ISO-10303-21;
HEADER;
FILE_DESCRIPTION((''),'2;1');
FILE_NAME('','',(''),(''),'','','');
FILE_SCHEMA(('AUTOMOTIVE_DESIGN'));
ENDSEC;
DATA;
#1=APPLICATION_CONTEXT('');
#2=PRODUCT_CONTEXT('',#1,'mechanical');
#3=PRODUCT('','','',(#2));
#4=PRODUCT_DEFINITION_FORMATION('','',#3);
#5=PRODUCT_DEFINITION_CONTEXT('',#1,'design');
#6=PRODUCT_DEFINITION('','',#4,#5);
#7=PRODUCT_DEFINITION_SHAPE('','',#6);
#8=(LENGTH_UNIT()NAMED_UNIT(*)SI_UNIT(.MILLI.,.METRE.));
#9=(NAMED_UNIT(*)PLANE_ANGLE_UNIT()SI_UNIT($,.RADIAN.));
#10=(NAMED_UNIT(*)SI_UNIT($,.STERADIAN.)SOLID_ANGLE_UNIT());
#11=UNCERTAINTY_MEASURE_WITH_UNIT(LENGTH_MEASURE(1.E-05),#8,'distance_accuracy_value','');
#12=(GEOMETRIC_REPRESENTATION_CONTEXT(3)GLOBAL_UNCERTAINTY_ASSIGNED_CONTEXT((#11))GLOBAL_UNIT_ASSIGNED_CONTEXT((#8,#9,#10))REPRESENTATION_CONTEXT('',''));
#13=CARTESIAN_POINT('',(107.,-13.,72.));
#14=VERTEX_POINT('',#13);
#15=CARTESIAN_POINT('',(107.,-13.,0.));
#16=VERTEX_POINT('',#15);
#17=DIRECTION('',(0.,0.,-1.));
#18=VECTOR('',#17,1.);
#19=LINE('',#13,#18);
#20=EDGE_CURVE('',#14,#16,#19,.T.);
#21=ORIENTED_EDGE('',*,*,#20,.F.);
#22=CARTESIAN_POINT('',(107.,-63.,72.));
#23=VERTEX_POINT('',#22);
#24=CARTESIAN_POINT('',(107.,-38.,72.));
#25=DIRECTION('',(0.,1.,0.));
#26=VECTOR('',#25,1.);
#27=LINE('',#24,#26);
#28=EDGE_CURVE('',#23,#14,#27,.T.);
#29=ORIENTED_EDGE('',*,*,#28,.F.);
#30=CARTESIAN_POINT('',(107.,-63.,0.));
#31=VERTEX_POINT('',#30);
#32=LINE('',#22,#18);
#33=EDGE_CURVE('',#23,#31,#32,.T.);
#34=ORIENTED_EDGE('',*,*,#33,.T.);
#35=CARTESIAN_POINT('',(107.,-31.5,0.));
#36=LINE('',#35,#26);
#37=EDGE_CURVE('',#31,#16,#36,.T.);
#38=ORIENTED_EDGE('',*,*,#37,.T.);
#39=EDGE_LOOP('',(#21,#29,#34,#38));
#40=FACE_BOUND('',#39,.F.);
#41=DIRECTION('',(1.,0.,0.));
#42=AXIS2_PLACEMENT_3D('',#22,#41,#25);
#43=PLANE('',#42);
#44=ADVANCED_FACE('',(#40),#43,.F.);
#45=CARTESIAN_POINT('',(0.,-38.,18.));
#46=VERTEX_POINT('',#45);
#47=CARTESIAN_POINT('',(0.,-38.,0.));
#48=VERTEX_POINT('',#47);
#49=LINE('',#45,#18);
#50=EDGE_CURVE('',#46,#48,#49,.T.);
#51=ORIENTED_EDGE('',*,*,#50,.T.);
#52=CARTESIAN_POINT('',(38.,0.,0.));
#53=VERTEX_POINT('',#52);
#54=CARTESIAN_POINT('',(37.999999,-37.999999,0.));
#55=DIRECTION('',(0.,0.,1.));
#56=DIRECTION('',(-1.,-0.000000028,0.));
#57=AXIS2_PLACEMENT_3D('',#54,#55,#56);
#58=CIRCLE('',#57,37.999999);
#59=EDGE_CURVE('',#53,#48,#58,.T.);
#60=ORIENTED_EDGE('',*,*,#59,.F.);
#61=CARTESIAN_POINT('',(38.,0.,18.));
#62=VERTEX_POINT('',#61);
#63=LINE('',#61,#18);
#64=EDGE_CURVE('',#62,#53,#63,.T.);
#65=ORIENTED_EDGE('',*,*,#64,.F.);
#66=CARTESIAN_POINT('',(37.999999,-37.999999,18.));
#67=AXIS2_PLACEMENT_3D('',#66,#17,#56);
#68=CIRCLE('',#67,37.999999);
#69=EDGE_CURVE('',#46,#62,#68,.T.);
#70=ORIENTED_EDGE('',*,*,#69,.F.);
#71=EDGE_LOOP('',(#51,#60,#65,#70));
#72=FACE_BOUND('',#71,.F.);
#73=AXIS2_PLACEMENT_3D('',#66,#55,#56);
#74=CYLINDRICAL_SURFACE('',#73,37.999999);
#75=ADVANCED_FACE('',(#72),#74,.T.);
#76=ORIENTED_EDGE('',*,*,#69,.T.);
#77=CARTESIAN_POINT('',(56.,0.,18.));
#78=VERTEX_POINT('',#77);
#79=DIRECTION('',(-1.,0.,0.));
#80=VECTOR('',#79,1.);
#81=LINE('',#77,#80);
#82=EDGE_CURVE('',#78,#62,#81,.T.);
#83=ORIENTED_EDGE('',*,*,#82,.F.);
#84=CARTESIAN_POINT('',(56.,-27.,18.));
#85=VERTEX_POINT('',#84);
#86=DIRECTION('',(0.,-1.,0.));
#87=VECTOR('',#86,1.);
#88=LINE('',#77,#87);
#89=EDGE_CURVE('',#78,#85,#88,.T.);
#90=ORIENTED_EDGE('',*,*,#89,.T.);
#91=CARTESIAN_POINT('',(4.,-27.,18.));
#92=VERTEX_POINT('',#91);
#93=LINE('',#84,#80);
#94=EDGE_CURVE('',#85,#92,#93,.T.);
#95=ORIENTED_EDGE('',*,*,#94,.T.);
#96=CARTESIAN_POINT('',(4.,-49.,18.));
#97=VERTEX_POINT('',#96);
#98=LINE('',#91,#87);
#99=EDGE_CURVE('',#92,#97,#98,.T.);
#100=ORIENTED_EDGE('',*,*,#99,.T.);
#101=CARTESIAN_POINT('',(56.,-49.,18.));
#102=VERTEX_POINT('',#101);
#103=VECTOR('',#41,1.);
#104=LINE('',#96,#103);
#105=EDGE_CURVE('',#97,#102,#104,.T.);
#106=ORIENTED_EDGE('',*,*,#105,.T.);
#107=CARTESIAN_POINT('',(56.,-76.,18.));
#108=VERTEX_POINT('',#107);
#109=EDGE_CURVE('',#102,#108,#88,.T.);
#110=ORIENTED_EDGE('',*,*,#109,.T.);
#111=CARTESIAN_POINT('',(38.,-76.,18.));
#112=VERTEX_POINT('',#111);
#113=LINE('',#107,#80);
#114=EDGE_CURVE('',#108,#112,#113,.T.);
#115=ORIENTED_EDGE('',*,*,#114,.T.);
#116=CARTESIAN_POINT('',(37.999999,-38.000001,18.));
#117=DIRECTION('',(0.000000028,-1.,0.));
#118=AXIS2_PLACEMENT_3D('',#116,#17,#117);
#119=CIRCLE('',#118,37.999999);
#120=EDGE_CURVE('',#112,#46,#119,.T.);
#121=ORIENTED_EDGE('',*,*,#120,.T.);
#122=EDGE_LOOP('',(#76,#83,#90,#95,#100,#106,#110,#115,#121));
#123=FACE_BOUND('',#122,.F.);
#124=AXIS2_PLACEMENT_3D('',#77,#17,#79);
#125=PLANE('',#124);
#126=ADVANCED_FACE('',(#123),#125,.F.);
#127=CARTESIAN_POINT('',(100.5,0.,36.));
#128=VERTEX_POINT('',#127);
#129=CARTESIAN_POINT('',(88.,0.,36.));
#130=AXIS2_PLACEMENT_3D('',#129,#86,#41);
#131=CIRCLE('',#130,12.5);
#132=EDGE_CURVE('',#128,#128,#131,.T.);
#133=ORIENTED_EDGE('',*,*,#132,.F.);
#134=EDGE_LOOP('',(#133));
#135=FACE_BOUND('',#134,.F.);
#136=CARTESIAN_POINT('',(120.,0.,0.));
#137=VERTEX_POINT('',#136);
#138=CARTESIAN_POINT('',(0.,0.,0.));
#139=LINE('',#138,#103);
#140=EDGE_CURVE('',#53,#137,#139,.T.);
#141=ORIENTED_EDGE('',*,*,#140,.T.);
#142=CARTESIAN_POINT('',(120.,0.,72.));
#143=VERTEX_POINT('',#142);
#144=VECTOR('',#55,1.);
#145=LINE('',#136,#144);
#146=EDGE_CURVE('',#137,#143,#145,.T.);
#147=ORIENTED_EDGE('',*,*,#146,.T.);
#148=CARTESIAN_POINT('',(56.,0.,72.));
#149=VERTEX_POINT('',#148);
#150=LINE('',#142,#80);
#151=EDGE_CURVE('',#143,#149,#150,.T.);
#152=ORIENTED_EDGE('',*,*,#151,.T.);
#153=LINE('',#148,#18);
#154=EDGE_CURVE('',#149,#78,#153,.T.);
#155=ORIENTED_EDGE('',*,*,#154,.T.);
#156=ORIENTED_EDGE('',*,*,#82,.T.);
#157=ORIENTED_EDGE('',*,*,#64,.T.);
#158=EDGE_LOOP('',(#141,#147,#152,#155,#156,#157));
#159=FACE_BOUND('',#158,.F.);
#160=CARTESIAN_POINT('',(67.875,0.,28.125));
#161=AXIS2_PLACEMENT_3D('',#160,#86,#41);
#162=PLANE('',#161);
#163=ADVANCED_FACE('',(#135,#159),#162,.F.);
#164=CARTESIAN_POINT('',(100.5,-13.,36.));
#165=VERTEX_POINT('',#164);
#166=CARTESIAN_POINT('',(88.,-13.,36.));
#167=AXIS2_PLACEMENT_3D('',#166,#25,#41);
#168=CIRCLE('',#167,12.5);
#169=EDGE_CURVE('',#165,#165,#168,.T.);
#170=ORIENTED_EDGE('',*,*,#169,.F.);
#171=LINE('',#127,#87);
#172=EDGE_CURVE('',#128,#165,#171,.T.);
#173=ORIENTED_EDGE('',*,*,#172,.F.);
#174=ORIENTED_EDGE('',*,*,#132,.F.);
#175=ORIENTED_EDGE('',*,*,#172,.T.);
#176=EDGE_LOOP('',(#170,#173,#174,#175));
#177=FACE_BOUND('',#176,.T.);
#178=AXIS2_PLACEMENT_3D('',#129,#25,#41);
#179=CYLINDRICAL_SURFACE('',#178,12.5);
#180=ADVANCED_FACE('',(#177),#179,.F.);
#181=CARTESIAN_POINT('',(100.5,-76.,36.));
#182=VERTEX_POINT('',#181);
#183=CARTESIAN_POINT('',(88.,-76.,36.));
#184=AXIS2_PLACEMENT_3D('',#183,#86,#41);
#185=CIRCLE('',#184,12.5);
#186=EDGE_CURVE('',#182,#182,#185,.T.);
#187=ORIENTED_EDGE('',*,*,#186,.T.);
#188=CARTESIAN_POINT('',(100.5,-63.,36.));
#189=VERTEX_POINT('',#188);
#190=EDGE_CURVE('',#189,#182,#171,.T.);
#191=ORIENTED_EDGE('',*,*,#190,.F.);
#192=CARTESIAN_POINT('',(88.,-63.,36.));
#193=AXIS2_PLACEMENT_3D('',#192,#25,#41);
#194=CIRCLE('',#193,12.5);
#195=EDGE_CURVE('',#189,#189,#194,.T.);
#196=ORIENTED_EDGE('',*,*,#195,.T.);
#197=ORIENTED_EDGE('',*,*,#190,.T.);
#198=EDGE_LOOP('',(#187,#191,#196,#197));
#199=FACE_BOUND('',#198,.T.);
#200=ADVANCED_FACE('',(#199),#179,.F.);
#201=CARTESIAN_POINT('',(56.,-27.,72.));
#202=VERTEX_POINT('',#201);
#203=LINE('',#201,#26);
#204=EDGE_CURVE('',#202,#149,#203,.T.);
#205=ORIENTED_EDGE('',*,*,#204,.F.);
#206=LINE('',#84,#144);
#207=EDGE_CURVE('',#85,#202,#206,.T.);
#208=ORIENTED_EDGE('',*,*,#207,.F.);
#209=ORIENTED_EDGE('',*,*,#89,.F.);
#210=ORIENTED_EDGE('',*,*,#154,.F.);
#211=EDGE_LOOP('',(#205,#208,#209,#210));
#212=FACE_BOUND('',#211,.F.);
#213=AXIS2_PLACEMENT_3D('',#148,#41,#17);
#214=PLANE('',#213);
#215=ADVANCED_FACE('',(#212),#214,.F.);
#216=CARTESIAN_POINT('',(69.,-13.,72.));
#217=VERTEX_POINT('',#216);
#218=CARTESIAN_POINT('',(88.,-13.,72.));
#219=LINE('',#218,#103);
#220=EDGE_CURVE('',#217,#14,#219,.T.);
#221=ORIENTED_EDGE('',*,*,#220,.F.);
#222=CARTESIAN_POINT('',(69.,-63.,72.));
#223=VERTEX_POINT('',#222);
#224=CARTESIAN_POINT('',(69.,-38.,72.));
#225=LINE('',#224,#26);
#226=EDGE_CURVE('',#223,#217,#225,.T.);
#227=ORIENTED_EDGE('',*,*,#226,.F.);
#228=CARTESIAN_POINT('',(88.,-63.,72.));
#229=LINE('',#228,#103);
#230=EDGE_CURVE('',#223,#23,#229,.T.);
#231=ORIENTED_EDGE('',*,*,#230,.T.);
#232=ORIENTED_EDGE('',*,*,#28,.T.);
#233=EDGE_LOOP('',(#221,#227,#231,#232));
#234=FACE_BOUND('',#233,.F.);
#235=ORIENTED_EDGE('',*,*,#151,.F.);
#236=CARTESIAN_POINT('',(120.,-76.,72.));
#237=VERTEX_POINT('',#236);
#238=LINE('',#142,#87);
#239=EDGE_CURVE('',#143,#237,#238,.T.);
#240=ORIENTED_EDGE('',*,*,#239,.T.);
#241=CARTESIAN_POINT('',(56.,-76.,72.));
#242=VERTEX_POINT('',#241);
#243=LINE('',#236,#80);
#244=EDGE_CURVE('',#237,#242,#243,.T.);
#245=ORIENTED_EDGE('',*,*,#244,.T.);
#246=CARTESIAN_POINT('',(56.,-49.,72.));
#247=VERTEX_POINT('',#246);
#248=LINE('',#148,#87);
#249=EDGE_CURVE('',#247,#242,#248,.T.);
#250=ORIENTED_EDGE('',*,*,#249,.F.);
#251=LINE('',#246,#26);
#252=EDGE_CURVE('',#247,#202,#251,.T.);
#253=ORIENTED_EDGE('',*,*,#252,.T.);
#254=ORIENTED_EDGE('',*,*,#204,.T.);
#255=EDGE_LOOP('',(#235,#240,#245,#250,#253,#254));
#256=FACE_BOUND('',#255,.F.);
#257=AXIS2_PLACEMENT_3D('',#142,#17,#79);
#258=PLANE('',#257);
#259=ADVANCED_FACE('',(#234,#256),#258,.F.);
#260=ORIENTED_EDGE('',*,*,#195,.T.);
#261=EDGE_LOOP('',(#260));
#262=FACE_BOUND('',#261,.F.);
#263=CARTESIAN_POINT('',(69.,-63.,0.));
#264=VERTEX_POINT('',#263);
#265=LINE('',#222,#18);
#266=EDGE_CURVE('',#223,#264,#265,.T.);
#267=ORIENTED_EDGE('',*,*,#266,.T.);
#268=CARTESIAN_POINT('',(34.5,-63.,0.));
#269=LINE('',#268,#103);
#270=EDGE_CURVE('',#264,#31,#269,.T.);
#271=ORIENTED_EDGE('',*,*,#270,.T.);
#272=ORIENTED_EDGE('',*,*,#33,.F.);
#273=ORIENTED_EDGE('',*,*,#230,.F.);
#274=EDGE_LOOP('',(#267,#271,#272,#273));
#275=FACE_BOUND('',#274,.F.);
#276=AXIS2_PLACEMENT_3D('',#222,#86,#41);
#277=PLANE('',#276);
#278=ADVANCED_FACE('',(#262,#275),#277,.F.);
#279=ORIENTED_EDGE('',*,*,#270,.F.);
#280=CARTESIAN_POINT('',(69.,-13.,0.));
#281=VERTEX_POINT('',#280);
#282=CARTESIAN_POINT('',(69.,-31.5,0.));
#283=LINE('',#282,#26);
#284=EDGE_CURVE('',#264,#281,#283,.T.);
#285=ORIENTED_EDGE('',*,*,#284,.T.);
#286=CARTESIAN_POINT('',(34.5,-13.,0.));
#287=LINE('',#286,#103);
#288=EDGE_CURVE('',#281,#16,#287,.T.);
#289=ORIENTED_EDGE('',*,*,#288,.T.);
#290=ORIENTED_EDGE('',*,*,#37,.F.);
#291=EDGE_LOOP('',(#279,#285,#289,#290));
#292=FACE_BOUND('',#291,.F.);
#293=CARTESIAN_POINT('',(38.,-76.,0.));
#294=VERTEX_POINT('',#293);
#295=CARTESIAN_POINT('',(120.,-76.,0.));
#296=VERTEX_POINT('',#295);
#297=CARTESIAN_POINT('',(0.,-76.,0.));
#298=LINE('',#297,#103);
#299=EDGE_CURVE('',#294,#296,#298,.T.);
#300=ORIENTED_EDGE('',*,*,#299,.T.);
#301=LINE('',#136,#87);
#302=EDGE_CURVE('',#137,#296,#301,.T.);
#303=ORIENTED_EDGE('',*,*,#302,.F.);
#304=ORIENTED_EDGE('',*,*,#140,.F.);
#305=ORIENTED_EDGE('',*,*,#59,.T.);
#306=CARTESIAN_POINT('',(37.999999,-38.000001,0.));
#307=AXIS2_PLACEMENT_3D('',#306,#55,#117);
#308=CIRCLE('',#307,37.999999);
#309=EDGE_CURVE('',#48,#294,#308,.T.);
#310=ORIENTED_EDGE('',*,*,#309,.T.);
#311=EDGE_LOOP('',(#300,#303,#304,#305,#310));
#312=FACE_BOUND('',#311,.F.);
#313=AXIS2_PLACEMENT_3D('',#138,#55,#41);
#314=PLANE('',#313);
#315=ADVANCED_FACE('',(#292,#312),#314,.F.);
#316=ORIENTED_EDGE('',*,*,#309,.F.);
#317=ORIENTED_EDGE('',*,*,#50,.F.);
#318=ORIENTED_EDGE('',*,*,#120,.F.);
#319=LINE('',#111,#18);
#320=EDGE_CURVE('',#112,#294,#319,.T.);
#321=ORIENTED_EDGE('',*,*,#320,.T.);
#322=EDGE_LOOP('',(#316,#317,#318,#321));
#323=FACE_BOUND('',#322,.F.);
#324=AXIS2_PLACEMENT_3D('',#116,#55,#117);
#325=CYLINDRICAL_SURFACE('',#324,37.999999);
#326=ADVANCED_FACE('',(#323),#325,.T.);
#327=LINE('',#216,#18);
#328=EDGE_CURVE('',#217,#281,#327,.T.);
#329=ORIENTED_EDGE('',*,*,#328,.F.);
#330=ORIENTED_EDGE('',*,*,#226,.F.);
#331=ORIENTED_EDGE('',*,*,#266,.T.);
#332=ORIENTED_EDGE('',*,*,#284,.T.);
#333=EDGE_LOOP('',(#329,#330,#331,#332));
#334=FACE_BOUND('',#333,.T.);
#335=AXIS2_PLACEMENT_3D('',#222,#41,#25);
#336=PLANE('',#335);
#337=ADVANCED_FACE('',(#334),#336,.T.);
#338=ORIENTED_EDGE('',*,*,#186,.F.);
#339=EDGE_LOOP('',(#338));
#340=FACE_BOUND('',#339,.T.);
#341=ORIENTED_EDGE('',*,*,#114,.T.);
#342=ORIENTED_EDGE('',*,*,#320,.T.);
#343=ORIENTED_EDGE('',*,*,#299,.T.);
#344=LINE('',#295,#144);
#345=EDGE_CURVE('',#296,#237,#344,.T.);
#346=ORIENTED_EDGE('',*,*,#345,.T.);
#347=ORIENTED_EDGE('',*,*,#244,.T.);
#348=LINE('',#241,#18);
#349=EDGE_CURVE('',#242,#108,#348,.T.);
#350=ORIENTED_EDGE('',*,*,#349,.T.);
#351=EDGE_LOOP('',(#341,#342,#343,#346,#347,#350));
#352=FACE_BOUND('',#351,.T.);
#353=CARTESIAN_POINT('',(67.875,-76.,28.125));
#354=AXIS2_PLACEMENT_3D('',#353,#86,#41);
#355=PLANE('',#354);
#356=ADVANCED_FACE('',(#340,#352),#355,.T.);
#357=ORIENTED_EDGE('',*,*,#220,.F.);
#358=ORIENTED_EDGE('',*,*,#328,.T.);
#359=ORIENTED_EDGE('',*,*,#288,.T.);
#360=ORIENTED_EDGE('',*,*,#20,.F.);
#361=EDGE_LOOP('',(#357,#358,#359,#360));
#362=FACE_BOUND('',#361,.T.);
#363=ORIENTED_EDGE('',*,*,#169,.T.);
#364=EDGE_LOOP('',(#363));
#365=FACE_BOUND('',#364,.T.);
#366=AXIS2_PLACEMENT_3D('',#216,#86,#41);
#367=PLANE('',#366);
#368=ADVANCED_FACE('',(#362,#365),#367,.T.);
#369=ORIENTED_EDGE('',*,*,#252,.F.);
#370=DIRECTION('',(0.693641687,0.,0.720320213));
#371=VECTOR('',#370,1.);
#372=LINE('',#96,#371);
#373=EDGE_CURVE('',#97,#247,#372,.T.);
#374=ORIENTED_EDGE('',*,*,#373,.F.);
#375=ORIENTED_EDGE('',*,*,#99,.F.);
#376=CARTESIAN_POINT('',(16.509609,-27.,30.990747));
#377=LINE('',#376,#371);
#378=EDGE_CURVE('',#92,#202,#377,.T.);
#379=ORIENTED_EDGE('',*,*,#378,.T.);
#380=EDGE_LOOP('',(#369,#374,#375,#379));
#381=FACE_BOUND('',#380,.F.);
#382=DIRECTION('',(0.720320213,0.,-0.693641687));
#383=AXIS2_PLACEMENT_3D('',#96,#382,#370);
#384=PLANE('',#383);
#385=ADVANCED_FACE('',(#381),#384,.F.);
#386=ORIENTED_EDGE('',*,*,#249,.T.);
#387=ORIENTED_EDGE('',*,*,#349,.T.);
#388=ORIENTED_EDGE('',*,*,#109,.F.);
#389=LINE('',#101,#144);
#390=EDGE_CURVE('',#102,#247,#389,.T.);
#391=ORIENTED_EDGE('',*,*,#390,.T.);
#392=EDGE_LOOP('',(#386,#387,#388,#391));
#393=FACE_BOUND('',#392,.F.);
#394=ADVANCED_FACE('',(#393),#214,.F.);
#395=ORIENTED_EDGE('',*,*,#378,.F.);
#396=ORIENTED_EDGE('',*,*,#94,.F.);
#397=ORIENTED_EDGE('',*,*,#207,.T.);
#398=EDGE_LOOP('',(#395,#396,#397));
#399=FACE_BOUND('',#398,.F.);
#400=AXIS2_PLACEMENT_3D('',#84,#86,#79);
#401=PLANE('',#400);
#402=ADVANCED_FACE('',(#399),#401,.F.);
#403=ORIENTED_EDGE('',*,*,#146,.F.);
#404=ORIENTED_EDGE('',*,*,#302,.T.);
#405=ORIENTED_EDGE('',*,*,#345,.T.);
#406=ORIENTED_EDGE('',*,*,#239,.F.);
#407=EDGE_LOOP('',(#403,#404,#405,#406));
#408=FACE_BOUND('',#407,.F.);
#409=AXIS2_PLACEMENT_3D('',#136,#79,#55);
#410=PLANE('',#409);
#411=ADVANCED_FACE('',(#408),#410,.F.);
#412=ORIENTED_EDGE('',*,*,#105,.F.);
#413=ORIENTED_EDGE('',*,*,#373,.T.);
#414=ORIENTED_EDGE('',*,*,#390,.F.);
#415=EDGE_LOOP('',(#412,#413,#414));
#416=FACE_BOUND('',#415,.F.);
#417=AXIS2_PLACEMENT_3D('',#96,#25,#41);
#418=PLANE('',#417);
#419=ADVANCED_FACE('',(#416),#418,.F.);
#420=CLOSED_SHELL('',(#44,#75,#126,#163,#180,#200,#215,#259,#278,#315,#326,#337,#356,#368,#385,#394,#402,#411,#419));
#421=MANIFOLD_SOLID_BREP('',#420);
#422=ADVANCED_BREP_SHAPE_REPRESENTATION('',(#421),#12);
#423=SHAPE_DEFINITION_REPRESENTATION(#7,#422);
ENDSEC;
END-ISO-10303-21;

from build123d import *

# Parameters (mm, degrees)
F0_R     = 12.5
F1_DEPTH = 76
F2_W     = 38
F2_H     = 50
F3_DEPTH = 116.9
F5_DEPTH = 123.5
F7_DEPTH = 54
F9_DEPTH = 25


with BuildPart() as f1:
    # F0 (on Front) → F1 (new body)
    with BuildSketch(Plane.XZ):
        Polygon((0, 18), (0, 0), (120, 0), (120, 72), (56, 72), (56, 18), align=None)
        with Locations((88, 36)):
            Circle(F0_R, mode=Mode.SUBTRACT)
    extrude(amount=F1_DEPTH)

    # F2 (on face) → F3 (cut)
    with BuildSketch(Plane.XY.offset(72)):
        with Locations((88, -38)):
            Rectangle(F2_W, F2_H)
    extrude(amount=-F3_DEPTH, mode=Mode.SUBTRACT)

    # F4 (on face) → F5 (cut)
    with BuildSketch(Plane.XY.offset(18)):
        with BuildLine():
            ThreePointArc((38, -76), (11.129942, -64.870058), (0, -38))
            Line((0, -38), (0, -76))
            Line((0, -76), (38, -76))
        make_face()
        with BuildLine():
            ThreePointArc((0, -38), (11.129942, -11.129942), (38, 0))
            Line((38, 0), (0, 0))
            Line((0, 0), (0, -38))
        make_face()
    extrude(amount=-F5_DEPTH, mode=Mode.SUBTRACT)

    # F6 (on face) → F7 (join)
    with BuildSketch(Plane.XY.offset(18)):
        Polygon((56, -49), (56, -38), (56, -27), (4, -27), (4, -49), align=None)
    extrude(amount=F7_DEPTH)

    # F8 (on face) → F9 (cut)
    with BuildSketch(Plane.XZ.offset(49)):
        Polygon((4, 72), (4, 18), (56, 72), align=None)
    extrude(amount=-F9_DEPTH, mode=Mode.SUBTRACT)


solid = f1.part
